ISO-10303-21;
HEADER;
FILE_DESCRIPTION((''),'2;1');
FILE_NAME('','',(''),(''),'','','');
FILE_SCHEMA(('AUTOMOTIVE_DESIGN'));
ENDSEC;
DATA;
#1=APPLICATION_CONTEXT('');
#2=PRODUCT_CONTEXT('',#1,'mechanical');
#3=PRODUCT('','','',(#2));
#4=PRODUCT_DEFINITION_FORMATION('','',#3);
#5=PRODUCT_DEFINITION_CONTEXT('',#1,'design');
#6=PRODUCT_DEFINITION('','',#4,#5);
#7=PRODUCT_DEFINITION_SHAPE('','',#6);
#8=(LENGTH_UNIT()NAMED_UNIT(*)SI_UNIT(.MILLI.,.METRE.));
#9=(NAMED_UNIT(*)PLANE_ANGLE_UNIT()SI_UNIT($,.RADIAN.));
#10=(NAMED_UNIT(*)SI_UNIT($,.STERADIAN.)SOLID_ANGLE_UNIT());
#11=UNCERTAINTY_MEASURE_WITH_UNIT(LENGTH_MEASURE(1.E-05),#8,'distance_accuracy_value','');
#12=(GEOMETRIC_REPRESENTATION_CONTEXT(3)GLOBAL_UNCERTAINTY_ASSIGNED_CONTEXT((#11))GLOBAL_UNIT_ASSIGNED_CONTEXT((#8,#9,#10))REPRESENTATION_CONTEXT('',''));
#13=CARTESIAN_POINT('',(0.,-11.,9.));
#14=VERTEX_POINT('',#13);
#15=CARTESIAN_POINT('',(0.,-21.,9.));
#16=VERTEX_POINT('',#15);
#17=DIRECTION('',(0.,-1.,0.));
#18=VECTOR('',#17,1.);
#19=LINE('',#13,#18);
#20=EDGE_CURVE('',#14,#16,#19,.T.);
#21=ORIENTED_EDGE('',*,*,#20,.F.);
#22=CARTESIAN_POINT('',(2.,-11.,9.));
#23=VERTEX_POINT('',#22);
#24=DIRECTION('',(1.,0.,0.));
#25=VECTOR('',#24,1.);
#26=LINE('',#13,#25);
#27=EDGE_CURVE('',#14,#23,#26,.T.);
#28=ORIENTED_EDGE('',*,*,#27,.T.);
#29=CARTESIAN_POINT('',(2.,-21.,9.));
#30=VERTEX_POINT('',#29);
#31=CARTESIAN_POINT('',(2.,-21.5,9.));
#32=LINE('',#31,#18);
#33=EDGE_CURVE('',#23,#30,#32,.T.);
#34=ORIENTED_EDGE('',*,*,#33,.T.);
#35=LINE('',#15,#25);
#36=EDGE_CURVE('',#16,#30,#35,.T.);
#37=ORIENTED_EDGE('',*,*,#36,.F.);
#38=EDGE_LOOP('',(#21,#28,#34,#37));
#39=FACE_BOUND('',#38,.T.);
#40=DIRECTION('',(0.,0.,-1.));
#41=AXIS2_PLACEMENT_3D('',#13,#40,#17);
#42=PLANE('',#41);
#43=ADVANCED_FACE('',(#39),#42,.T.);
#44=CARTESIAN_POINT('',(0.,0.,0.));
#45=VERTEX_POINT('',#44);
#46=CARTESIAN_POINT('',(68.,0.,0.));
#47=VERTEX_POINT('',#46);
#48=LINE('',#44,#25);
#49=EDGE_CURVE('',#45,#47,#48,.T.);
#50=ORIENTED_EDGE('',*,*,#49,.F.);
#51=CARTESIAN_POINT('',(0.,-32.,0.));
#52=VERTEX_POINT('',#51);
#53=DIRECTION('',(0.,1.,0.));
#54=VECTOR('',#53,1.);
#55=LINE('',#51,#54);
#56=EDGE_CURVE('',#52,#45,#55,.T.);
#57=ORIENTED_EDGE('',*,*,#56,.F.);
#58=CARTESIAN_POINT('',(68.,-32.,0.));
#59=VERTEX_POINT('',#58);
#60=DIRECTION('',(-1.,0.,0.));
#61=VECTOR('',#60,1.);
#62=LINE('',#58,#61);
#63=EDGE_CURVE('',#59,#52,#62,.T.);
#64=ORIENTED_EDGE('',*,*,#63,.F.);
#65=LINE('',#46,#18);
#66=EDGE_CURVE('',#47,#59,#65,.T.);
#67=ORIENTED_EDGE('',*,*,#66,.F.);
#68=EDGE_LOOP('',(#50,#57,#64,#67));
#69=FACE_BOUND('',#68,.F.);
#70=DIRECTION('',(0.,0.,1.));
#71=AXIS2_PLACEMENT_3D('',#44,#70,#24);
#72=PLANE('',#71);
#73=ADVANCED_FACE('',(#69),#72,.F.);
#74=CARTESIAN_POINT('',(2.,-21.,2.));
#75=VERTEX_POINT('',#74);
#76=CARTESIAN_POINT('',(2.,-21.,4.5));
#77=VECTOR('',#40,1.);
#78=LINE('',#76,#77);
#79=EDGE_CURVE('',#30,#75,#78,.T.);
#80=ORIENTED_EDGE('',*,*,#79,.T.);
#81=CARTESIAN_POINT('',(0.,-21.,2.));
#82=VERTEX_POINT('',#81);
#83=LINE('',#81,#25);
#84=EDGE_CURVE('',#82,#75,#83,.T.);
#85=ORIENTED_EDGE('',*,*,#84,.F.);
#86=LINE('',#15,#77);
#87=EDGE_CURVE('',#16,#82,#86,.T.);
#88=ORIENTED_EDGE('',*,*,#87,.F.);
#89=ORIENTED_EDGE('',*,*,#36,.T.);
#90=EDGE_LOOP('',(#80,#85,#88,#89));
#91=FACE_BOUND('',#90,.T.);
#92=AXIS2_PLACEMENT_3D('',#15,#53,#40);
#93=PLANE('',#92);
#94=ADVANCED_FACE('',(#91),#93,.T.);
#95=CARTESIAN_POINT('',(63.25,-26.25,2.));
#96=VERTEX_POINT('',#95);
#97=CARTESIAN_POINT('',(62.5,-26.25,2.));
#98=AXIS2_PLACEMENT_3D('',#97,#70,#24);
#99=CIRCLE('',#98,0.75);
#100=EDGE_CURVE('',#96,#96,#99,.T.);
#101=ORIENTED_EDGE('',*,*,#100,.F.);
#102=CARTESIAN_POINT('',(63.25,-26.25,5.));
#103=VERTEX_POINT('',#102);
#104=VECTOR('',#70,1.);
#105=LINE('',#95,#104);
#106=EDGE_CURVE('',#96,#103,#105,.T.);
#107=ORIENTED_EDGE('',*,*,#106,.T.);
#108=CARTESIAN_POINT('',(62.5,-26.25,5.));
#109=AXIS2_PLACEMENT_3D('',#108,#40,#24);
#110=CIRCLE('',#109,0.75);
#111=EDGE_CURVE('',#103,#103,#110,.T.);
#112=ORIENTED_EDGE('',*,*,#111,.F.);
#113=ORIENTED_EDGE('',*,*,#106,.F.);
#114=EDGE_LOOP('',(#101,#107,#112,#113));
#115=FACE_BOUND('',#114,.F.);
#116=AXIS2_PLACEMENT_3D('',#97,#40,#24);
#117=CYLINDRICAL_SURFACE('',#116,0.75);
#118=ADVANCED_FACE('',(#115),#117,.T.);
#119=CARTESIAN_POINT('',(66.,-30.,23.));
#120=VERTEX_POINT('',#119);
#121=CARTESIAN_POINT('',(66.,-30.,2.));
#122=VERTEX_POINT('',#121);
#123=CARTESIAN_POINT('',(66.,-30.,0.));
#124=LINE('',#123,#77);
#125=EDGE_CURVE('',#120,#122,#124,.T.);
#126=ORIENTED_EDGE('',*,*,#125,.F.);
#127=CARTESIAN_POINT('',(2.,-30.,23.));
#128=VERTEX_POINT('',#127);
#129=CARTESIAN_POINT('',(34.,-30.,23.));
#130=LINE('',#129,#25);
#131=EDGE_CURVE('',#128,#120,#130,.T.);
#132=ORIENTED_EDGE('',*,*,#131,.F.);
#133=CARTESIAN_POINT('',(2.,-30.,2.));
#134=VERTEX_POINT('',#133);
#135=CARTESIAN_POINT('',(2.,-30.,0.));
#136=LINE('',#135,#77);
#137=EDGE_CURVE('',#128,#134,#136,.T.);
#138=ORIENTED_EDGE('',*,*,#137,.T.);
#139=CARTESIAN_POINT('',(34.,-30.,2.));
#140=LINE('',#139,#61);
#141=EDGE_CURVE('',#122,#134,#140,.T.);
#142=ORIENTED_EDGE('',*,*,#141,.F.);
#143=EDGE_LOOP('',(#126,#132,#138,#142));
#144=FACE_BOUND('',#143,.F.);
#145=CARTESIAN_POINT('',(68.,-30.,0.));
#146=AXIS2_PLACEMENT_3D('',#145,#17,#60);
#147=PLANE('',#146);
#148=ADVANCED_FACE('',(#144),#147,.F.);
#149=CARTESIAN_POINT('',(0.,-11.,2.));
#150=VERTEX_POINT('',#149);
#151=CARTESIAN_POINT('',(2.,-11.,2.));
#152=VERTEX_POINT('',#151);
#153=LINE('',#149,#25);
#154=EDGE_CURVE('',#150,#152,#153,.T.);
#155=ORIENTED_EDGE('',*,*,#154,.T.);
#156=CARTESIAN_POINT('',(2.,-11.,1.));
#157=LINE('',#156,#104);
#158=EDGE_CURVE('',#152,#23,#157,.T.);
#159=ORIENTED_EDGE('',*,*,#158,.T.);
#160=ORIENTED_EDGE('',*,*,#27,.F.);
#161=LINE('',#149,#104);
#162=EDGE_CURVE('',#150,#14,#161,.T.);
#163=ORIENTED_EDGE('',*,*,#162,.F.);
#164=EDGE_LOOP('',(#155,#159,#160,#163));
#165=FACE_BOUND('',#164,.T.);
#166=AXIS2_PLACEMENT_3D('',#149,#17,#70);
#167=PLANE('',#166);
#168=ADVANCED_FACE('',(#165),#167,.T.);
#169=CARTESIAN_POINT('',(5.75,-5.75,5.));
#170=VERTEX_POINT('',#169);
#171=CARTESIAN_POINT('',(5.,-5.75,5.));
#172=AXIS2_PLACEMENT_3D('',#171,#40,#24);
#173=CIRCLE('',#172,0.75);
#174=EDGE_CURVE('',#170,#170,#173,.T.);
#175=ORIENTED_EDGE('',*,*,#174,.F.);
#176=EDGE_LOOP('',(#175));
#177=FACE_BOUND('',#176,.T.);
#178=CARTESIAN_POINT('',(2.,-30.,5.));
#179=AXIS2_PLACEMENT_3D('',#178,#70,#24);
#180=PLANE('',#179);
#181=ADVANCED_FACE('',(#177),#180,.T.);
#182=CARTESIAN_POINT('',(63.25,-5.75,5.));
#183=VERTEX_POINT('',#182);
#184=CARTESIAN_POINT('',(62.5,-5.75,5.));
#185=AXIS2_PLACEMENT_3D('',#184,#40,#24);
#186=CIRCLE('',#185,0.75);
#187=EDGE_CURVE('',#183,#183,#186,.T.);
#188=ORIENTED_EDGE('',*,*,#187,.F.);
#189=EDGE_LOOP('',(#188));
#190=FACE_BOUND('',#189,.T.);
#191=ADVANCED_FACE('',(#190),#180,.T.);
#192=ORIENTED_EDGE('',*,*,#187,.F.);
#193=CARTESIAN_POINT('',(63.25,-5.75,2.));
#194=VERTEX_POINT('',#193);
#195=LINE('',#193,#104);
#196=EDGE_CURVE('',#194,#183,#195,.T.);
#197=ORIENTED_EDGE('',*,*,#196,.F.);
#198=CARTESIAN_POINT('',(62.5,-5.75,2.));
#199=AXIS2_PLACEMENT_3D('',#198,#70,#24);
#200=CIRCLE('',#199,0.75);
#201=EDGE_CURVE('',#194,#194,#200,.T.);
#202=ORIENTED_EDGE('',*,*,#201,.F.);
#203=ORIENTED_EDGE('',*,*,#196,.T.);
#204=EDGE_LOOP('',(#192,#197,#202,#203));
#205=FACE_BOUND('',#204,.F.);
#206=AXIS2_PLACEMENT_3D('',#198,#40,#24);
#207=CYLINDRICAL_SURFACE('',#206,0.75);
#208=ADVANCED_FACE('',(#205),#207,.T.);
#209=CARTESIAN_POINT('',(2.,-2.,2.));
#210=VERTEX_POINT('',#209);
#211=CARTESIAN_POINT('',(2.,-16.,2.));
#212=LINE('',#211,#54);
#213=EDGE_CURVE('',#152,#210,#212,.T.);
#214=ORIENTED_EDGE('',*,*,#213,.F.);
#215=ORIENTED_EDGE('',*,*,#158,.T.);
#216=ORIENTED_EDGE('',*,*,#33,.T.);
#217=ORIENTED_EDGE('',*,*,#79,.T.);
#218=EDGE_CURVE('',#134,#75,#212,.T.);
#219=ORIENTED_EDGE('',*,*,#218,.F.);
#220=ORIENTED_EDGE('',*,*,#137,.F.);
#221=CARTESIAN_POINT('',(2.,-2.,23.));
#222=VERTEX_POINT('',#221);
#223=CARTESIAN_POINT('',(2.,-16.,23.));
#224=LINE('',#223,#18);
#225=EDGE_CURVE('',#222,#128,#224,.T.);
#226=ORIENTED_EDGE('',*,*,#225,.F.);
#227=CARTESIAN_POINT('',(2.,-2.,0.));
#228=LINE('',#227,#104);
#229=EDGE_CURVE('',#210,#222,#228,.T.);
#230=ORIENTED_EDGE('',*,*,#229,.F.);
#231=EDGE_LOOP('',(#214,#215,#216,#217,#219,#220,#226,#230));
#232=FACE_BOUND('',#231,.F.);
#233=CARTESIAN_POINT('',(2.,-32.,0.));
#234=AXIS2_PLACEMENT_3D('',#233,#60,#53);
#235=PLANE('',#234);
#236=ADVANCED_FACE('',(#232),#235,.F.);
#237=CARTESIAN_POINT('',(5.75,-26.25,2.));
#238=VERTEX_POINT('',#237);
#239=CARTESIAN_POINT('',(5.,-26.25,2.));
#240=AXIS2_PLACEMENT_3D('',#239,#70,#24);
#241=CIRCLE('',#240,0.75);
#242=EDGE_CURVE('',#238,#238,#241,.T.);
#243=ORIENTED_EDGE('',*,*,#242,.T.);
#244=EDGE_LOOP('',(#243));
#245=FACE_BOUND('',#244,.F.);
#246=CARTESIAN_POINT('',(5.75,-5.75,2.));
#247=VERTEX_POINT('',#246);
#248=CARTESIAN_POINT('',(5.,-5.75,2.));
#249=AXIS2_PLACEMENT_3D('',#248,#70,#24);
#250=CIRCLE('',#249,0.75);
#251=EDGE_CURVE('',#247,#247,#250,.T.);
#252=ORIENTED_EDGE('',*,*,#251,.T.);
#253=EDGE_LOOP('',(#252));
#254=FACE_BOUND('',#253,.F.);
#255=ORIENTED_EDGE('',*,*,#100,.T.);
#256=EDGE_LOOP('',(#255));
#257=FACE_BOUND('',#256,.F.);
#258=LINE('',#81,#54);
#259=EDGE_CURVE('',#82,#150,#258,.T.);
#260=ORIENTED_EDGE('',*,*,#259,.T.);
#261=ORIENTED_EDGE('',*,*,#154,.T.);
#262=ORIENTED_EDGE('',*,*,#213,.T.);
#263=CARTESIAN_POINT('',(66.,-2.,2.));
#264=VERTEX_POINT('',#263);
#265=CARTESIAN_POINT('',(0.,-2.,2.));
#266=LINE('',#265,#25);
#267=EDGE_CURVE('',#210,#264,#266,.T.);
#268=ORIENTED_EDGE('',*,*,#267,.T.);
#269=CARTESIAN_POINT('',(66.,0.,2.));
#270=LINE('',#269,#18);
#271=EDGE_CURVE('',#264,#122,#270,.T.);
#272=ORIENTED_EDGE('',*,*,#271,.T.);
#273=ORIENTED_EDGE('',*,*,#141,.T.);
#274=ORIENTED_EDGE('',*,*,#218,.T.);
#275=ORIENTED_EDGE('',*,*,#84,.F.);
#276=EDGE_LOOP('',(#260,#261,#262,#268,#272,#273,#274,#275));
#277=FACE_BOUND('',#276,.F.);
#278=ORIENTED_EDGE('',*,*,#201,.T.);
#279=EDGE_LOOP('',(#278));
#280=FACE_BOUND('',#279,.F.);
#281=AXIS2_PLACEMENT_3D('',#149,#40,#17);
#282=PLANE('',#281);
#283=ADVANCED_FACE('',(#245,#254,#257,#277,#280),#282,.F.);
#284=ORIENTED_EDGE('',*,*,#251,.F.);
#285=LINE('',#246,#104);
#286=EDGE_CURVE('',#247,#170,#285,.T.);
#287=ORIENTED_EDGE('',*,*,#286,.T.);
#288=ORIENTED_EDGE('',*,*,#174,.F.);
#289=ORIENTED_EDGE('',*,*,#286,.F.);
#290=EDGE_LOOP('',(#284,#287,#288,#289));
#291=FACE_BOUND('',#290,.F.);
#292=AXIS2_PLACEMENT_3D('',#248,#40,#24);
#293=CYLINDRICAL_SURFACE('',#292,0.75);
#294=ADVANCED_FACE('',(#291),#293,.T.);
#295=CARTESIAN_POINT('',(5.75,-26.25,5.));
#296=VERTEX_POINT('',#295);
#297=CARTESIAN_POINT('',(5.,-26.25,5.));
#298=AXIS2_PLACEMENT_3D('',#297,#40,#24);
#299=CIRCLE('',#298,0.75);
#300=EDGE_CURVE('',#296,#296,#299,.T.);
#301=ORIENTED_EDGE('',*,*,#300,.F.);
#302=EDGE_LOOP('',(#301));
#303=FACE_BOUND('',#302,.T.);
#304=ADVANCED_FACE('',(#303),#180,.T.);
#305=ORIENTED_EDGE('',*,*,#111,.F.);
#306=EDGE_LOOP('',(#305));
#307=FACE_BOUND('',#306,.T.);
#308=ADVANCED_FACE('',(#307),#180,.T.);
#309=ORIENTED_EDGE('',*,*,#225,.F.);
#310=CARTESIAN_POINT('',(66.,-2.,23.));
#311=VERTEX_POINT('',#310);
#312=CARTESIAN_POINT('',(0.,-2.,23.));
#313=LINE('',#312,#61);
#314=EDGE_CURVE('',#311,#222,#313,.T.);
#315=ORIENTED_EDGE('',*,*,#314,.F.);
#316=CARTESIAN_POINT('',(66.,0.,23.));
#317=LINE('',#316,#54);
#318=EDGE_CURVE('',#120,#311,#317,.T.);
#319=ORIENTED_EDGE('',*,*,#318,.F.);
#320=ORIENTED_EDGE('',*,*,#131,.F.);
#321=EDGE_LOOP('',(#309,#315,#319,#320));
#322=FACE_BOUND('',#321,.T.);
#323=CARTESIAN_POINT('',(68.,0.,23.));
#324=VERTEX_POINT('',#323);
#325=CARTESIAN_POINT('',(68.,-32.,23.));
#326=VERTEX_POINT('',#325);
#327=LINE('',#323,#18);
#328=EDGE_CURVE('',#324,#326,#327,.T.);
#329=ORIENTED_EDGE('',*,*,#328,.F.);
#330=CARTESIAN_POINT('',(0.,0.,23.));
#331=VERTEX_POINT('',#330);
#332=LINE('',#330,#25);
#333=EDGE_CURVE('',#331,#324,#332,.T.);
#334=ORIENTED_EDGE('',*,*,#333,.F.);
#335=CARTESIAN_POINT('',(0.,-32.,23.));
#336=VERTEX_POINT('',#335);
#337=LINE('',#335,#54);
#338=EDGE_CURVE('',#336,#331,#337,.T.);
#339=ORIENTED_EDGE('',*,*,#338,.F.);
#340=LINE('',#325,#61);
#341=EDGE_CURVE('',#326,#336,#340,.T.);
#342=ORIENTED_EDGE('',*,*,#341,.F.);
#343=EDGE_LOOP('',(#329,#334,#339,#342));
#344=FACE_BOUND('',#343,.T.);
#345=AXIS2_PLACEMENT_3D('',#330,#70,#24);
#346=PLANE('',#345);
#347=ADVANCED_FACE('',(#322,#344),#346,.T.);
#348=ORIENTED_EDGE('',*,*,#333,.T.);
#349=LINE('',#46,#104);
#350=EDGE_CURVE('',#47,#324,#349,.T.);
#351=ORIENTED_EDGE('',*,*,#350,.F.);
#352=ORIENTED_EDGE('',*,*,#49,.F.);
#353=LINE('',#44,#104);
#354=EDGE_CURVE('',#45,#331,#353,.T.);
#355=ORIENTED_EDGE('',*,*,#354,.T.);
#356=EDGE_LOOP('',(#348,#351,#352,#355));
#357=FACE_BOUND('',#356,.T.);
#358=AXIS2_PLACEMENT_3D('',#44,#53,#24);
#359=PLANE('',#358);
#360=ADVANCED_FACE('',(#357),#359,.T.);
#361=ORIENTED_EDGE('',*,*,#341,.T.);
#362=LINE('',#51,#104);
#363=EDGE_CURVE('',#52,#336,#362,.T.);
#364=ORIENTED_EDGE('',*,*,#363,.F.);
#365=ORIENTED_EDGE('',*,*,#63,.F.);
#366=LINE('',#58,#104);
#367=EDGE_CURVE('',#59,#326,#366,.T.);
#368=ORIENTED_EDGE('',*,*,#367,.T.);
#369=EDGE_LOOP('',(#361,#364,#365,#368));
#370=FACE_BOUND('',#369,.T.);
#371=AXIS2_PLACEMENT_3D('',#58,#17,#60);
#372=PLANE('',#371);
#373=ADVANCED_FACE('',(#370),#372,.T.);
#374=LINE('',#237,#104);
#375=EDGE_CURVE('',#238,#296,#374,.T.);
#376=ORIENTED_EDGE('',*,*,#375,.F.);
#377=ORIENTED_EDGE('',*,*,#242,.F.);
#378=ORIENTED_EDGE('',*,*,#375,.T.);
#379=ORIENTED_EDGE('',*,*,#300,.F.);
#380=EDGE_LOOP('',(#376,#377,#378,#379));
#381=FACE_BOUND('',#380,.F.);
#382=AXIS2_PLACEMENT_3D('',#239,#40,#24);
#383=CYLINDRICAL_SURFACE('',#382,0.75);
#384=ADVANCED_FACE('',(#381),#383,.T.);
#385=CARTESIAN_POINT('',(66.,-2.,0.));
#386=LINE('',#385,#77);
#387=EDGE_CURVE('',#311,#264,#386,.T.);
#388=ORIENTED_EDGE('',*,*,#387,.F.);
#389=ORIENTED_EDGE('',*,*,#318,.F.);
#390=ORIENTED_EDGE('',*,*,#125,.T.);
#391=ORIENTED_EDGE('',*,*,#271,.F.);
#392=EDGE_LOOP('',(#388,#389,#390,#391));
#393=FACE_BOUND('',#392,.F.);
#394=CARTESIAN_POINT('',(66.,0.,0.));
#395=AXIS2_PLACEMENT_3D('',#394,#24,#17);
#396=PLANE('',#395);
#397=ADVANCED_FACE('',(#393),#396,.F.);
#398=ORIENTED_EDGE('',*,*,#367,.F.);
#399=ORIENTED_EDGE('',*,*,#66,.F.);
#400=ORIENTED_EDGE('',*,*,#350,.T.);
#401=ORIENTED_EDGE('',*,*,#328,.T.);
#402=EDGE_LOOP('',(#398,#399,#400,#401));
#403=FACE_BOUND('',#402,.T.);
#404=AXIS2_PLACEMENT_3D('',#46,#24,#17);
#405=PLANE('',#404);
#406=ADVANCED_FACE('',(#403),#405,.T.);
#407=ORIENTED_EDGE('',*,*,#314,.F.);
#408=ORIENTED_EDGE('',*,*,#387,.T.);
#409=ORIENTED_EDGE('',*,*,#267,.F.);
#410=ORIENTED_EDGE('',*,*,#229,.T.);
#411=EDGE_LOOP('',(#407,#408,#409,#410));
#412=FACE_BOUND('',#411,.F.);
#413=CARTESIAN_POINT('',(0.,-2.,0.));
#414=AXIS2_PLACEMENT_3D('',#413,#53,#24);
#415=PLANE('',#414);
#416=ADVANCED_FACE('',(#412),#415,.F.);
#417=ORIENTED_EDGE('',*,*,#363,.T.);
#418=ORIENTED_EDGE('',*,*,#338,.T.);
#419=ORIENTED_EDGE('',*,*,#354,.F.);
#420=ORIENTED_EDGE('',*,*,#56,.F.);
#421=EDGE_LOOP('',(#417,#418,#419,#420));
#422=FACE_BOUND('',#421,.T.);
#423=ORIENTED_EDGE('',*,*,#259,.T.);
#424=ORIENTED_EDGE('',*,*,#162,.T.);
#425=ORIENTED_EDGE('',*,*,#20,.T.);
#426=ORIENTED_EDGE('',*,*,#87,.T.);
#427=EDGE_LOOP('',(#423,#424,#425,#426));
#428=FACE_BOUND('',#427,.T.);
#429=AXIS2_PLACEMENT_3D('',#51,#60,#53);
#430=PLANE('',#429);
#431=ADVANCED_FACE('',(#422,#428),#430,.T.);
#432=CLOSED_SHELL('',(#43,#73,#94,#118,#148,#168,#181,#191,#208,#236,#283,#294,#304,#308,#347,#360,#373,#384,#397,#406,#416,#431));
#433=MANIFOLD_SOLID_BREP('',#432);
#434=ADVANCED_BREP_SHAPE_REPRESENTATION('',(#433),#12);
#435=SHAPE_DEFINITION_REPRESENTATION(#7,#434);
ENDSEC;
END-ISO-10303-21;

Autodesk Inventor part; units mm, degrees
ref_plane "YZ Plane" through (0, 0, 0) normal (1, 0, 0) x (0, 1, 0)
ref_plane "XZ Plane" through (0, 0, 0) normal (0, 1, 0) x (-1, 0, 0)
ref_plane "XY Plane" through (0, 0, 0) normal (0, 0, 1) x (1, 0, 0)
sketch "Sketch1" plane through (0, 0, 0) normal (0, 0, 1) x (1, 0, 0)
  line L0 (0, 0) -> (68, 0)
  line L1 (68, 0) -> (68, -32)
  line L2 (68, -32) -> (0, -32)
  line L3 (0, -32) -> (0, 0)
  dimension "d0" = 68
  dimension "d1" = 32
extrude "Extrusion1" add sketch "Sketch1" along normal blind 23
shell "Shell1" thickness 2 removed faces 1 at (22.6667, -10.6667, 23)
sketch "Sketch5" plane through (2, -30, 2) normal (0, 0, 1) x (1, 0, 0)
  line L0 (-2, 30) -> (3, 30)
  line L1 (66, 30) -> (-2, 30) projected
  line L2 (3, 30) -> (3, 14)
  line L3 (3, 14) -> (3, 24.25)
  line L4 (3, 24.25) -> (60.5, 24.25)
  line L5 (60.5, 24.25) -> (60.5, 3.75)
  line L6 (60.5, 3.75) -> (3, 3.75)
  line L7 (3, 3.75) -> (3, 14)
  circle A0 centre (60.5, 24.25) radius 0.75
  circle A1 centre (60.5, 3.75) radius 0.75
  circle A2 centre (3, 24.25) radius 0.75
  circle A3 centre (3, 3.75) radius 0.75
  dimension "d5" = 5
  dimension "d6" = 16
  dimension "d7" = 10.25
  dimension "d8" = 57.5
  dimension "d9" = 20.5
  dimension "d10" = 1.5
  dimension "d11" = 1.5
  dimension "d12" = 1.5
  dimension "d13" = 1.5
extrude "Extrusion2" add sketch "Sketch5" along normal blind 3 contours A2 L4 L2 | L2 A2 | L4 A2 L2 | A0 L5 L4 | L4 L5 A0 | A3 L6 L7 | L7 L6 A3 | A1 L6 L5 | L5 L6 A1
sketch "Sketch6" plane through (0, -32, 0) normal (-1, 0, 0) x (0, 0, 1)
  line L0 (2, 30) -> (2, 2) projected
  line L1 (2, 16) -> (2, 21)
  line L2 (2, 21) -> (9, 21)
  line L3 (9, 21) -> (9, 11)
  line L4 (9, 11) -> (2, 11)
  line L5 (2, 11) -> (2, 16)
  point P0 (0, 32)
  point P1 (2, 11)
  dimension "d16" = 5
  dimension "d17" = 7
  dimension "d18" = 10
extrude "Extrusion3" cut sketch "Sketch6" against normal blind 10
properties part number "laatikko"
